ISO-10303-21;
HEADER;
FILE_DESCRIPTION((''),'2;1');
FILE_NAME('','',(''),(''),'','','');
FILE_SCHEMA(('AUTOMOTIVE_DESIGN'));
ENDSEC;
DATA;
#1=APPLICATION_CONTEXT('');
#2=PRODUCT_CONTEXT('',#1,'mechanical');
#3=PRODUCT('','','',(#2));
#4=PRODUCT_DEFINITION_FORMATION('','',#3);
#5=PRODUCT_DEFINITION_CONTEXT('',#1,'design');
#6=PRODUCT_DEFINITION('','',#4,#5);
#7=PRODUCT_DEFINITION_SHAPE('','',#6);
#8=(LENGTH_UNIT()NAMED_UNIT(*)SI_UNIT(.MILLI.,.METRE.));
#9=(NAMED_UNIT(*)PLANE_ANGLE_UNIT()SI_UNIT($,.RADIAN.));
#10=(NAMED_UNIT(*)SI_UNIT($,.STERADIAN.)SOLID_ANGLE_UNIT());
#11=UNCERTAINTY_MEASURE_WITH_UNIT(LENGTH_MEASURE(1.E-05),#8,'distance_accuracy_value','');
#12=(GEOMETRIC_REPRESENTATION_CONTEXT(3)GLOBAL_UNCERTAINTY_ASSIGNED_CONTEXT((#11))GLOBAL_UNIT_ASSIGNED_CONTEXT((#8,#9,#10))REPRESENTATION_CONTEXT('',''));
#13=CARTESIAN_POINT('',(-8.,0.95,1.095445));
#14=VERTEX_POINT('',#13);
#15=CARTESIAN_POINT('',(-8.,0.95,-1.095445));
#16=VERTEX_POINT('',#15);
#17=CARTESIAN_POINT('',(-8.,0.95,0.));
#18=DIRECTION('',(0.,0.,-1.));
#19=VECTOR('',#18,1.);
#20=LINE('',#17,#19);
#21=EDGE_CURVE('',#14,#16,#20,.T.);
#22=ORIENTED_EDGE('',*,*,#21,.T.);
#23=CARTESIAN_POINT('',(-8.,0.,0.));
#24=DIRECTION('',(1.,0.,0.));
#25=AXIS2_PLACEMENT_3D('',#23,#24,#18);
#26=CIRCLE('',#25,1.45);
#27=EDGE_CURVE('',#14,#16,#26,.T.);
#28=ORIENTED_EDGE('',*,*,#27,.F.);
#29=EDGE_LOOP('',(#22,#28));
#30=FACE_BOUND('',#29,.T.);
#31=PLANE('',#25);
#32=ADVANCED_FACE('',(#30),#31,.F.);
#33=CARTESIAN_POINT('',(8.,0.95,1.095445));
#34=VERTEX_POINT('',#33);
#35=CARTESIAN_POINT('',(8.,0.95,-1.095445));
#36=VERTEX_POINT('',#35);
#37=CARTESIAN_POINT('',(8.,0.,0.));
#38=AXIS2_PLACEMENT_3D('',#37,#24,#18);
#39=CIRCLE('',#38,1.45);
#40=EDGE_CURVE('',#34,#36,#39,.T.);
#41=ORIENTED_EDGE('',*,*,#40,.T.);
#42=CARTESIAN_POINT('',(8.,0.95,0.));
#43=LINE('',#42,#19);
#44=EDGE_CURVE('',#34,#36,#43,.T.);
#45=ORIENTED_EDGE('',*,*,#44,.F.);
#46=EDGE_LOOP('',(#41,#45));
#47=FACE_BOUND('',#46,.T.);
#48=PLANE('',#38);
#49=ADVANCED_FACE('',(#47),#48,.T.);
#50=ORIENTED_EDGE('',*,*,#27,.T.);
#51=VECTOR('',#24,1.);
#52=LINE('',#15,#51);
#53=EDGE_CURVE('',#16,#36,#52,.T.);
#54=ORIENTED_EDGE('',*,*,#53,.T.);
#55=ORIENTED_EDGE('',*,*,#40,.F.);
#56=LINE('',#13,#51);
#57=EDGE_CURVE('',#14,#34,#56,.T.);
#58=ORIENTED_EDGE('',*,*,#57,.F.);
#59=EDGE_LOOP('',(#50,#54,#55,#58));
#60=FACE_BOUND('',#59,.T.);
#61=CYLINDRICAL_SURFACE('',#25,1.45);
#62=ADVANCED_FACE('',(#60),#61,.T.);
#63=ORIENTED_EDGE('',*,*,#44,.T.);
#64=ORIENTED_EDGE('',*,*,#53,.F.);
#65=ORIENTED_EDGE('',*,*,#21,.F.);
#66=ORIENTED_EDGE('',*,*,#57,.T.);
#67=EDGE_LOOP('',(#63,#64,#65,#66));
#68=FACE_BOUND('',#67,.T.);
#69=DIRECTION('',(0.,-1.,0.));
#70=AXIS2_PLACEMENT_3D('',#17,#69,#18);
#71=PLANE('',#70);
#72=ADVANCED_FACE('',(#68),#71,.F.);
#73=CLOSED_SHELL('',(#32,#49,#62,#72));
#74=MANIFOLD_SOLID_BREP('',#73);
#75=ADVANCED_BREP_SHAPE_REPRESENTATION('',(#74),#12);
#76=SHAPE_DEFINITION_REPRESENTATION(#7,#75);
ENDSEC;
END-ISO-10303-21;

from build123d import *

# Parameters (mm, degrees)
BOSS_EXTRUDE1_DEPTH      = 8
BOSS_EXTRUDE1_DEPTH_BACK = 8


with BuildPart() as part:
    # Sketch1 → Boss-Extrude1 (new, two sides: drawn at the far end of the back side and taken through both)
    with BuildSketch(Plane(origin=(0, 0, 0), x_dir=(0, 0, -1), z_dir=(1, 0, 0)).offset(-BOSS_EXTRUDE1_DEPTH_BACK)):
        with BuildLine():
            ThreePointArc((-1.095445115, 0.95), (0, -1.45), (1.095445115, 0.95))
            Line((1.095445115, 0.95), (-1.095445115, 0.95))
        make_face()
    extrude(amount=BOSS_EXTRUDE1_DEPTH + BOSS_EXTRUDE1_DEPTH_BACK)


solid = part.part
